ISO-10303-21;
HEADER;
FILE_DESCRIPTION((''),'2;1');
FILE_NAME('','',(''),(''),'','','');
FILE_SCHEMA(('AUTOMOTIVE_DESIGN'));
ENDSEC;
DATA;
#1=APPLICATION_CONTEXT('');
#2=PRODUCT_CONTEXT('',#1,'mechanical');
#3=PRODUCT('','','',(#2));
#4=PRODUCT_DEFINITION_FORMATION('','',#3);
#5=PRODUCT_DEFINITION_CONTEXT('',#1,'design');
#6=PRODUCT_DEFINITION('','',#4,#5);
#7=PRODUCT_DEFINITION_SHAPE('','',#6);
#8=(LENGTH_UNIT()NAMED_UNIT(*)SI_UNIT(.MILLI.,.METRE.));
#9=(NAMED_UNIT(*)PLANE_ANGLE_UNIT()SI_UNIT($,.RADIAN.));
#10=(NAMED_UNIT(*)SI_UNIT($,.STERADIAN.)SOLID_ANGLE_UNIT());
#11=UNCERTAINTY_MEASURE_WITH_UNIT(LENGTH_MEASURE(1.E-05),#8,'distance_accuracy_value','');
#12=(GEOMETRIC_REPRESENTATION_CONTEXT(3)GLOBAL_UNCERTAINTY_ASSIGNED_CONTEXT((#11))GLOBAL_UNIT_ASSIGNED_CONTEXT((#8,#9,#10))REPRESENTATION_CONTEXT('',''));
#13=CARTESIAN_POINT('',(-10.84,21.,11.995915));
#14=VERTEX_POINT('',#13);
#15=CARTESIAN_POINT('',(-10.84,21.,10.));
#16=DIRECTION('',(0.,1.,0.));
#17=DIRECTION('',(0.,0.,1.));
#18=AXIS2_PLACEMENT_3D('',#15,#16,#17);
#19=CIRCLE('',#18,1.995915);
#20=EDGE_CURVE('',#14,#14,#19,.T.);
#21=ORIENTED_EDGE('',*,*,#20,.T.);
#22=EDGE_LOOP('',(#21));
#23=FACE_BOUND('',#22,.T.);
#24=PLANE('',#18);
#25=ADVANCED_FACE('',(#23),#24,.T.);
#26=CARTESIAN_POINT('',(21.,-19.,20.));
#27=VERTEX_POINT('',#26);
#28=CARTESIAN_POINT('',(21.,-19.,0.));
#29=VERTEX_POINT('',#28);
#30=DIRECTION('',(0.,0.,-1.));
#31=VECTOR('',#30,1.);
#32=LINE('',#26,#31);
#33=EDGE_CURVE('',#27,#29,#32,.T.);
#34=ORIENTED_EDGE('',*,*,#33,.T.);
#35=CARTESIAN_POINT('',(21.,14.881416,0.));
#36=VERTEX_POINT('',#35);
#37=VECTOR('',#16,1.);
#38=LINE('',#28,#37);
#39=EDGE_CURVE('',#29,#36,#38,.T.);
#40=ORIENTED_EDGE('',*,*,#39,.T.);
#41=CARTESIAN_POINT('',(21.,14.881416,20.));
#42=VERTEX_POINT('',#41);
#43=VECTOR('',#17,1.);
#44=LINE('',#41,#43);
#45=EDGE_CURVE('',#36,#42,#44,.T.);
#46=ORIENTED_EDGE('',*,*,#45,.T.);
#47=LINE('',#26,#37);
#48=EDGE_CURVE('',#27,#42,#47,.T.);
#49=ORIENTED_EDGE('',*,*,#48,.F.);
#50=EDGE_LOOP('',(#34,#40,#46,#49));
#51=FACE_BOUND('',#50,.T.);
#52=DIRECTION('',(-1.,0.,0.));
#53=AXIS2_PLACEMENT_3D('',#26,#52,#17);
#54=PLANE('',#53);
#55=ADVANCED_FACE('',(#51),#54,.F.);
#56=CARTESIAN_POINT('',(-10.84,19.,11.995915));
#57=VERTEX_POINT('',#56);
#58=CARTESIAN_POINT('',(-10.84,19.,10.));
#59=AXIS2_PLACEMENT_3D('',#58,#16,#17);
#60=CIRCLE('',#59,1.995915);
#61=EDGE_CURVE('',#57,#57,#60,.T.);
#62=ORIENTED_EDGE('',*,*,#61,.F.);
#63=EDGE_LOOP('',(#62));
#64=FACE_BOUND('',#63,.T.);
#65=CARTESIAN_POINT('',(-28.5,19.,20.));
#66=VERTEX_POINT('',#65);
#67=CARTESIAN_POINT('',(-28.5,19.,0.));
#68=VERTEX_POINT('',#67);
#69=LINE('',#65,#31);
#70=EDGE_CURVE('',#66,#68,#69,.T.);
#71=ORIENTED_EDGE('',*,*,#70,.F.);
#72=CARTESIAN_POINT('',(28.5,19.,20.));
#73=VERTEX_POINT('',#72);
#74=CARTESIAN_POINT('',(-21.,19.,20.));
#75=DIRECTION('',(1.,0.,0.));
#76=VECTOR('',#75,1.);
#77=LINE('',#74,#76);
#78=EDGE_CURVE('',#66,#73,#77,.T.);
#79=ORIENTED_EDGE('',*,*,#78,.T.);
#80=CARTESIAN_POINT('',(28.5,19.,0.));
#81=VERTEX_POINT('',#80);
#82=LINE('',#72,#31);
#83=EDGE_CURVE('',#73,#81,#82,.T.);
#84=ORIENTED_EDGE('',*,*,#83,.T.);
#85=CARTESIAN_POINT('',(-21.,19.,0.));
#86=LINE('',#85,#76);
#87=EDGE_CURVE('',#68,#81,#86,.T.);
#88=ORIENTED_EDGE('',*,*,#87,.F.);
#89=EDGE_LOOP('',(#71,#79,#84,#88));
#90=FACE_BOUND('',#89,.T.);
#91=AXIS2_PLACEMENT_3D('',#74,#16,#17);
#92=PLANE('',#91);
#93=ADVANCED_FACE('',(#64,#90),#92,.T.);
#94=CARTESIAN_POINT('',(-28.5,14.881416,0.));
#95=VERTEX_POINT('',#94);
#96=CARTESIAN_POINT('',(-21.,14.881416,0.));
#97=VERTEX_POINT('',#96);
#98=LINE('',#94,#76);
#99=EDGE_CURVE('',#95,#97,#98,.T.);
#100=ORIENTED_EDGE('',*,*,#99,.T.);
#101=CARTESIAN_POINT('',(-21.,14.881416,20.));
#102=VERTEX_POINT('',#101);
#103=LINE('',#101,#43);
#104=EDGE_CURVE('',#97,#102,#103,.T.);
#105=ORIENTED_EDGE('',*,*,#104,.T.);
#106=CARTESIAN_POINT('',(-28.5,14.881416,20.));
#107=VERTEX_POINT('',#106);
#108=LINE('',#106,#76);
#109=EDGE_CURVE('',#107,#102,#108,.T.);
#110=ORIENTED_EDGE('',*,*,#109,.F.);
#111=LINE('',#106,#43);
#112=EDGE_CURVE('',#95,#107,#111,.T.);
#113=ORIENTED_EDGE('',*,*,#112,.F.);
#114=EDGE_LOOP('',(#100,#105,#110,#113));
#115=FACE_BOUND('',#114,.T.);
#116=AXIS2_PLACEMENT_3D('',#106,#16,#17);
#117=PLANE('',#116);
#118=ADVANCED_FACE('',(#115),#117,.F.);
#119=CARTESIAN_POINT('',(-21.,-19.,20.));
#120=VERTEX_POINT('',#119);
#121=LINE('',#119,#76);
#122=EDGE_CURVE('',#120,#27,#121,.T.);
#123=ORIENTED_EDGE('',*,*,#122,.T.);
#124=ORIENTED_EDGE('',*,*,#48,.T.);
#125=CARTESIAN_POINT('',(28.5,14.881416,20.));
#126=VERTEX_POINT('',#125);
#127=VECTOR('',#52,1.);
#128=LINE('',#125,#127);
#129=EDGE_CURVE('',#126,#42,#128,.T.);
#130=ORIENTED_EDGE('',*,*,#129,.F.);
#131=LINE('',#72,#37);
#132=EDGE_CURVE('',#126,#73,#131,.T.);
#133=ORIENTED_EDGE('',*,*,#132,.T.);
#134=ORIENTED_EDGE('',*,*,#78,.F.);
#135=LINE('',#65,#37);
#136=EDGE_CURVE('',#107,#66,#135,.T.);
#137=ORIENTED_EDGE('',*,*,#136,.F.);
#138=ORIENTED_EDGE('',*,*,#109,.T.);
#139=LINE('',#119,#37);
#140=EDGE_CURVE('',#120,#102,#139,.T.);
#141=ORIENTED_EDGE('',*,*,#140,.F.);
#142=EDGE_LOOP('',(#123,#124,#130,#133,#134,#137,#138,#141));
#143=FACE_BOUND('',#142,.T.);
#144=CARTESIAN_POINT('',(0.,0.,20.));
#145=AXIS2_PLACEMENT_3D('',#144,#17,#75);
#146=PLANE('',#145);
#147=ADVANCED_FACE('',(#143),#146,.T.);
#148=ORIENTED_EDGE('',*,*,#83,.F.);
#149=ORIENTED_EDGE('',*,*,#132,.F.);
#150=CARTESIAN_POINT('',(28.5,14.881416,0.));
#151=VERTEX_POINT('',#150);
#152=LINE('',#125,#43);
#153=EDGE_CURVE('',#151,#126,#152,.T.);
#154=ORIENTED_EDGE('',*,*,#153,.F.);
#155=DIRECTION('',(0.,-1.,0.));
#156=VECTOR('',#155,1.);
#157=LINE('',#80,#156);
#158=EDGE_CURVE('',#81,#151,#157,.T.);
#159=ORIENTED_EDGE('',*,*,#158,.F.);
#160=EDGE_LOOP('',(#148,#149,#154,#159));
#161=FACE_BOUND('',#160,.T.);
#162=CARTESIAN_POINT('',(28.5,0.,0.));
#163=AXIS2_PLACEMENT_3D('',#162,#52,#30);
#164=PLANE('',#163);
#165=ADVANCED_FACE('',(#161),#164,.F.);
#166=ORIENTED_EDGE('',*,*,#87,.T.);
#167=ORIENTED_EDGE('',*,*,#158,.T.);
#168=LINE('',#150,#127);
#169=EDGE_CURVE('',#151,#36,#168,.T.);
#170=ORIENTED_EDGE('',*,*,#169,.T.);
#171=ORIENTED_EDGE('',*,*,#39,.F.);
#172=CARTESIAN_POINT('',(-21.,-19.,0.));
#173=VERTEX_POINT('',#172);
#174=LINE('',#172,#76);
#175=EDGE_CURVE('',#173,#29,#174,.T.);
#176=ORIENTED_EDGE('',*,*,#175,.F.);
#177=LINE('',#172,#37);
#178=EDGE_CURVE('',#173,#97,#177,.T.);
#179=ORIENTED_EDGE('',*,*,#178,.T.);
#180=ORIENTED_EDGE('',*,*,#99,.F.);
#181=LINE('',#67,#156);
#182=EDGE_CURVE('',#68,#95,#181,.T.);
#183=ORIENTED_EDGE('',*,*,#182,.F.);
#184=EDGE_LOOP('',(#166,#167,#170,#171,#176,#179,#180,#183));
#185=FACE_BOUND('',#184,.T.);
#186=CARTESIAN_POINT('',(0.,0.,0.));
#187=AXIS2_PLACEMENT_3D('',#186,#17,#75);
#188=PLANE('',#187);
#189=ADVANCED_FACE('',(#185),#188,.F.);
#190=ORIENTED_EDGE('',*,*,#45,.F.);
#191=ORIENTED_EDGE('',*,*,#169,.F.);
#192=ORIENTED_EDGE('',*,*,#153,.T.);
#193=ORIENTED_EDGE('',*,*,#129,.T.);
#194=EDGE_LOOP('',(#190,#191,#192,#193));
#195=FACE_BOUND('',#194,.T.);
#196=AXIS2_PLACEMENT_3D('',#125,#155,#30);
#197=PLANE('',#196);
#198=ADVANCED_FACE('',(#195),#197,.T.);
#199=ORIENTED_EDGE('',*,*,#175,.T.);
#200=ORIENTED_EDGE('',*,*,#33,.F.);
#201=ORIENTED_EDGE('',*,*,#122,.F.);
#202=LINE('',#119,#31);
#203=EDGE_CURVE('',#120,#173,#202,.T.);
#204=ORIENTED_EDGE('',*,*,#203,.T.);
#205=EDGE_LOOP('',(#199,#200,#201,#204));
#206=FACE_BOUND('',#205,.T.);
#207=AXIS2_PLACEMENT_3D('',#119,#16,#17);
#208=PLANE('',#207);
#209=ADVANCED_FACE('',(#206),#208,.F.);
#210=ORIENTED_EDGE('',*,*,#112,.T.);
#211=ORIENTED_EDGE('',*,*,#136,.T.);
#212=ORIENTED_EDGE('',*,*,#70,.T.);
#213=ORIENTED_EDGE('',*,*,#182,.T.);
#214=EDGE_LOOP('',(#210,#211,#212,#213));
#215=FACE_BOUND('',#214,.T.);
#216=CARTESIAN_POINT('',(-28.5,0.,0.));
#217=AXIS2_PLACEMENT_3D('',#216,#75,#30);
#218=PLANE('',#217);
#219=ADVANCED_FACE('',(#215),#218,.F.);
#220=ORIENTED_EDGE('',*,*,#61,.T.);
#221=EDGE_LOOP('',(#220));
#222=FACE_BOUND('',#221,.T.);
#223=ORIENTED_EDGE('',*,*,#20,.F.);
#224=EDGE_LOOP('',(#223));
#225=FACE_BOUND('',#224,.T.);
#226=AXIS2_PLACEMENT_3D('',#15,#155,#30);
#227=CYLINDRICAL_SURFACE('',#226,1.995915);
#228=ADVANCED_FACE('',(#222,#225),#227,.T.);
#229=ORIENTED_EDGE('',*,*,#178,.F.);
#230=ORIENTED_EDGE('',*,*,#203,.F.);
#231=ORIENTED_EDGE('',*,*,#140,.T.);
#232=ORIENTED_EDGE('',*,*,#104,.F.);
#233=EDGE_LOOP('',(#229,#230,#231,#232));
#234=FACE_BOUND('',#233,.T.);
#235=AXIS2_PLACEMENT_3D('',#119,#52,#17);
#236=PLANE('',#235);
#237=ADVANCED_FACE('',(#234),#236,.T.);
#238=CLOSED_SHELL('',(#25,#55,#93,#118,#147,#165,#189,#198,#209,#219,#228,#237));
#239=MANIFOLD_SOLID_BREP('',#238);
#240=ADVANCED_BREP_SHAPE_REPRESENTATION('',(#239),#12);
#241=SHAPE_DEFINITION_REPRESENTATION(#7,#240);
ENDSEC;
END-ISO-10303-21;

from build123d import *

# Parameters (mm, degrees)
SKETCH1_W           = 42
SKETCH1_H           = 38
BOSS_EXTRUDE1_DEPTH = 20
SKETCH3_R           = 1.995914713
BOSS_EXTRUDE2_DEPTH = 2
SKETCH4_W           = 20
SKETCH4_H           = 4.118584071
BOSS_EXTRUDE3_DEPTH = 7.5


with BuildPart() as part:
    # Sketch1 → Boss-Extrude1 (new body)
    with BuildSketch(Plane.XY):
        Rectangle(SKETCH1_W, SKETCH1_H)
    extrude(amount=BOSS_EXTRUDE1_DEPTH)

    # Sketch3 → Boss-Extrude2 (add)
    with BuildSketch(Plane(origin=(0, 19, 0), x_dir=(1, 0, 0), z_dir=(0, 1, 0))):
        with Locations(Location((-10.84, -10, 0), (0, 0, 270))):
            Circle(SKETCH3_R)
    extrude(amount=BOSS_EXTRUDE2_DEPTH)

    # Sketch4 → Boss-Extrude3 (add)
    with BuildSketch(Plane.ZY.offset(21)):
        with Locations((10, 16.940707964)):
            Rectangle(SKETCH4_W, SKETCH4_H)
    boss_extrude3 = extrude(amount=BOSS_EXTRUDE3_DEPTH)

    # Mirror2: Boss-Extrude3 across plane
    add(boss_extrude3.mirror(Plane(origin=(0, 0, 0), x_dir=(0, 0, 1), z_dir=(1, 0, 0))))


solid = part.part
